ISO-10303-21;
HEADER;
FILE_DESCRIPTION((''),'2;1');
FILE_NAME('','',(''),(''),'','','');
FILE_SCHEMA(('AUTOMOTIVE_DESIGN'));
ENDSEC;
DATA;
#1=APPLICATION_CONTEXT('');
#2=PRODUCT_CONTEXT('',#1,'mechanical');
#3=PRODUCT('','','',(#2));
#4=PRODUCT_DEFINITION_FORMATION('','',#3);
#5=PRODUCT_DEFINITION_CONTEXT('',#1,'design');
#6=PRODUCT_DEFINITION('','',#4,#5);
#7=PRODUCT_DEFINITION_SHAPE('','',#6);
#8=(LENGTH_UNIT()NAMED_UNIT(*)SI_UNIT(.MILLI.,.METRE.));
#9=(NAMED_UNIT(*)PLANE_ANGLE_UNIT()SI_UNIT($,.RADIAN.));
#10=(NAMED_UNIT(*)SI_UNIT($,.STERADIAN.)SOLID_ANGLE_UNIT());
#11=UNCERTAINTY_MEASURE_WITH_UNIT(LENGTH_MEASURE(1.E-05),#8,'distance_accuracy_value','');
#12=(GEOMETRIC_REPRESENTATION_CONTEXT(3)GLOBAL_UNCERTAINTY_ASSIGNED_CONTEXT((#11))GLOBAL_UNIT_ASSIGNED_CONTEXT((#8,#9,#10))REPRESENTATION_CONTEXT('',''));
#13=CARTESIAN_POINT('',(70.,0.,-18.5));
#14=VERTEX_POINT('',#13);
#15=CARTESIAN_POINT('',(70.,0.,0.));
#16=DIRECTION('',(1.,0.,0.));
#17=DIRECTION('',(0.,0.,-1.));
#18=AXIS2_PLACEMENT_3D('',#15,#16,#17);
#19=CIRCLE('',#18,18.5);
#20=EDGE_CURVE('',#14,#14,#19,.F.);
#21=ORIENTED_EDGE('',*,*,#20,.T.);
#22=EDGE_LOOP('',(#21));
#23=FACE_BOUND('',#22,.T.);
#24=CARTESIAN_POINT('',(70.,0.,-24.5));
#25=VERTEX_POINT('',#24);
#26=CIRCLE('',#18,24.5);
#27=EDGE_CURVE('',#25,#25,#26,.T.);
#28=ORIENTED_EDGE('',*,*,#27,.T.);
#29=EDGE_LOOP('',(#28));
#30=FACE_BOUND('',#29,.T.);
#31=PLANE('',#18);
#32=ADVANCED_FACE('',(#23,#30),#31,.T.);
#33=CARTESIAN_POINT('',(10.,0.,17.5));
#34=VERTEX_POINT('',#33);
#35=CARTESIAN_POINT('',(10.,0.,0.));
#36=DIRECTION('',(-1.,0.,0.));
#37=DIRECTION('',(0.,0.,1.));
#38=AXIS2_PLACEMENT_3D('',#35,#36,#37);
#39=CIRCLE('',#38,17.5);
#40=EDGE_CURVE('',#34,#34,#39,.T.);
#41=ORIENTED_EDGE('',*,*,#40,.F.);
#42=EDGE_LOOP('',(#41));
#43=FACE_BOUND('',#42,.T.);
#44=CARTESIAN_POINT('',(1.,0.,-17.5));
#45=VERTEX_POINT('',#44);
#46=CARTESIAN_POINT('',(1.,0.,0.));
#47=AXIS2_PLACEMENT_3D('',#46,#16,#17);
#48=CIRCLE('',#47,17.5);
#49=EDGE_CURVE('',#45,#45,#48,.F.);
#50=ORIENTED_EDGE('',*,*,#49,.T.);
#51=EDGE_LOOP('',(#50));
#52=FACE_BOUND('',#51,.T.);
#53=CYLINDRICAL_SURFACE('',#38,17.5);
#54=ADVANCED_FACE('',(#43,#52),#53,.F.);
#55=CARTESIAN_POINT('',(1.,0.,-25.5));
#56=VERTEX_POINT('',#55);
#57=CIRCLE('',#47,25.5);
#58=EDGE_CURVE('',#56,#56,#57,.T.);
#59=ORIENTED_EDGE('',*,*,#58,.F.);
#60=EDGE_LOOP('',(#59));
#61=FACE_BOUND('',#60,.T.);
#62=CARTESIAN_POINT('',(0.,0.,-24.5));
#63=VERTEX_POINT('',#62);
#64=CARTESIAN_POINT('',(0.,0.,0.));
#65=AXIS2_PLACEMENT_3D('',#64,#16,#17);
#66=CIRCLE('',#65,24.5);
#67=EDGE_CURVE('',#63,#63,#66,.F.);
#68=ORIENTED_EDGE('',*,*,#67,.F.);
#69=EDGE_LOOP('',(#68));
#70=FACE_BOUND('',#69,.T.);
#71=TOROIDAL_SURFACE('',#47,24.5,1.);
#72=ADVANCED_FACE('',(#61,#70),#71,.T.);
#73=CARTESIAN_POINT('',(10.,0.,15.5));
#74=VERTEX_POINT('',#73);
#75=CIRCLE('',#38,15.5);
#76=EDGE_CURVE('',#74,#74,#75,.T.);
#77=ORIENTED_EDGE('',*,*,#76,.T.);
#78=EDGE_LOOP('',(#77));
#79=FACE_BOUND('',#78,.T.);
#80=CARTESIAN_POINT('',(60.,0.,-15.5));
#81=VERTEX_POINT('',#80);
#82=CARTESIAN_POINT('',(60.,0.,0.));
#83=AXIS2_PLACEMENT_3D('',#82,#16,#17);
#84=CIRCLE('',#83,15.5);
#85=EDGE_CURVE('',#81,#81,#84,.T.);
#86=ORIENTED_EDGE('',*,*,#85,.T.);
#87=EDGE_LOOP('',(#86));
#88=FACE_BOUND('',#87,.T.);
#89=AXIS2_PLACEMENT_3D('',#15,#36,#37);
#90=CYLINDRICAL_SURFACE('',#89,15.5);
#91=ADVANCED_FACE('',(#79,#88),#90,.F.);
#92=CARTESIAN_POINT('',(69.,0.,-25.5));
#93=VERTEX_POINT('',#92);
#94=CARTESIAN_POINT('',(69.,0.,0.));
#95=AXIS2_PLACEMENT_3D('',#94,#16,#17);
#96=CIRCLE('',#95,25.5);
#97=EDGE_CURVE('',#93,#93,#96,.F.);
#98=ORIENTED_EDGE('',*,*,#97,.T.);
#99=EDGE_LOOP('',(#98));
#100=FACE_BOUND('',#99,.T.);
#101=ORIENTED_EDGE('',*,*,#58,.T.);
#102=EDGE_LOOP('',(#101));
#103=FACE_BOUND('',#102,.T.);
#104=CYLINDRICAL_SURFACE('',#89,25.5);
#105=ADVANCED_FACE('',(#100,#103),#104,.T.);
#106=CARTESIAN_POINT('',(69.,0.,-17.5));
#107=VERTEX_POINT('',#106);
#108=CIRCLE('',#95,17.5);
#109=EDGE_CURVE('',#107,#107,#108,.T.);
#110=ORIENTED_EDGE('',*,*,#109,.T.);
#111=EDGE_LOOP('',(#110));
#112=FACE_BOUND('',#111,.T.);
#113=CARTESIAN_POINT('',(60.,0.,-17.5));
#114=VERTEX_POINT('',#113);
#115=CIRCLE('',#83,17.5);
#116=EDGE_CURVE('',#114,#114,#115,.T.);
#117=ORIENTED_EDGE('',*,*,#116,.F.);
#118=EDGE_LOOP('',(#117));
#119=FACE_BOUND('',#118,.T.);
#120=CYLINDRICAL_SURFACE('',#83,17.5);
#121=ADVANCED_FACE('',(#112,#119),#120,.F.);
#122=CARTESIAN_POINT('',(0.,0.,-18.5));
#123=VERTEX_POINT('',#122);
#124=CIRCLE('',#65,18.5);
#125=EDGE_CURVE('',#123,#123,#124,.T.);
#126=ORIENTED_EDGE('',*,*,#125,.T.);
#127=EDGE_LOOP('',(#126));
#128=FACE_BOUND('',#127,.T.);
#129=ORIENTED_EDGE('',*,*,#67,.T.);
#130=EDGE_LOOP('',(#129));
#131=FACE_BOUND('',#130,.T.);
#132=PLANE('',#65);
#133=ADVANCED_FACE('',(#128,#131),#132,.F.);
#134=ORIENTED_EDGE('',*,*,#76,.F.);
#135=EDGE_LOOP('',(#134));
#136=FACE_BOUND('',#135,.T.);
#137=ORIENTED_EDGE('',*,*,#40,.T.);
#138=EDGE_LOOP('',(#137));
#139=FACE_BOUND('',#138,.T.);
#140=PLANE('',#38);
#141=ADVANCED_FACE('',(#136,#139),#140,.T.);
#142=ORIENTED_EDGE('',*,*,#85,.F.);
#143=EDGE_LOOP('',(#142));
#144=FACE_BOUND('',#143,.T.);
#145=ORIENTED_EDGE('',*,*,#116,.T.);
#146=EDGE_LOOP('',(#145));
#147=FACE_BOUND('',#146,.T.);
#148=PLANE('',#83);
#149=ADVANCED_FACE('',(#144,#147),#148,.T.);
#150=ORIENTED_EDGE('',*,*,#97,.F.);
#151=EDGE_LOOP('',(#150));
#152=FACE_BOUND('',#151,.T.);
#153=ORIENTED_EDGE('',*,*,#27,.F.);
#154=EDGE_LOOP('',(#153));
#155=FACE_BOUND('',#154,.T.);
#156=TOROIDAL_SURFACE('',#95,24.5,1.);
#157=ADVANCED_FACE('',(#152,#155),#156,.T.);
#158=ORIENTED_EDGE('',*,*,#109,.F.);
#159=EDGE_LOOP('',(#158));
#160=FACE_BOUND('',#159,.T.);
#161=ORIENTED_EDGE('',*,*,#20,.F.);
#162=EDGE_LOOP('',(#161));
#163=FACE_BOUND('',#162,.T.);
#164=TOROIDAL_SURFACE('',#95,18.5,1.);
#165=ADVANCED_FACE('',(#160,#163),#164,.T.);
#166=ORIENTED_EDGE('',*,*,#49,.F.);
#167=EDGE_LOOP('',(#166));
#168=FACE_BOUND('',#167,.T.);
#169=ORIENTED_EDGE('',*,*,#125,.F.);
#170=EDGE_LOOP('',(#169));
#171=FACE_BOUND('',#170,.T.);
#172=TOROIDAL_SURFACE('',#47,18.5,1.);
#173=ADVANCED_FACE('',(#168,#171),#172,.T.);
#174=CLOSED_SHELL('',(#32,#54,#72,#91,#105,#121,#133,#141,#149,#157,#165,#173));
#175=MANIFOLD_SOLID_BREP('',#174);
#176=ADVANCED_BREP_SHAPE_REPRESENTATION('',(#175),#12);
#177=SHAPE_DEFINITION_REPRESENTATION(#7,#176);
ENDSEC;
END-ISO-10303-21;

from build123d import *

# Parameters (mm, degrees)
SKETCH2_R           = 25.5
SKETCH2_R_2         = 15.5
BOSS_EXTRUDE1_DEPTH = 70
SKETCH3_R           = 17.5
CUT_EXTRUDE1_DEPTH  = 10
SKETCH4_R           = 17.5
CUT_EXTRUDE2_DEPTH  = 10
FILLET1_R           = 1


with BuildPart() as part:
    # Sketch2 → Boss-Extrude1 (new body)
    with BuildSketch(Plane(origin=(0, 0, 0), x_dir=(0, 0, -1), z_dir=(1, 0, 0))):
        Circle(SKETCH2_R)
        Circle(SKETCH2_R_2, mode=Mode.SUBTRACT)
    extrude(amount=BOSS_EXTRUDE1_DEPTH)

    # Sketch3 → Cut-Extrude1 (cut)
    with BuildSketch(Plane(origin=(70, 0, 0), x_dir=(0, 0, -1), z_dir=(1, 0, 0))):
        Circle(SKETCH3_R)
    extrude(amount=-CUT_EXTRUDE1_DEPTH, mode=Mode.SUBTRACT)

    # Sketch4 → Cut-Extrude2 (cut)
    with BuildSketch(Plane.ZY):
        Circle(SKETCH4_R)
    extrude(amount=-CUT_EXTRUDE2_DEPTH, mode=Mode.SUBTRACT)

    # Fillet1
    fillet1_edges = [part.edges().sort_by_distance(p)[0] for p in [
        (70, 0, 17.5),
        (0, 0, -17.5),
        (0, 0, 25.5),
        (70, 0, 25.5),
    ]]
    fillet(fillet1_edges, radius=FILLET1_R)


solid = part.part
